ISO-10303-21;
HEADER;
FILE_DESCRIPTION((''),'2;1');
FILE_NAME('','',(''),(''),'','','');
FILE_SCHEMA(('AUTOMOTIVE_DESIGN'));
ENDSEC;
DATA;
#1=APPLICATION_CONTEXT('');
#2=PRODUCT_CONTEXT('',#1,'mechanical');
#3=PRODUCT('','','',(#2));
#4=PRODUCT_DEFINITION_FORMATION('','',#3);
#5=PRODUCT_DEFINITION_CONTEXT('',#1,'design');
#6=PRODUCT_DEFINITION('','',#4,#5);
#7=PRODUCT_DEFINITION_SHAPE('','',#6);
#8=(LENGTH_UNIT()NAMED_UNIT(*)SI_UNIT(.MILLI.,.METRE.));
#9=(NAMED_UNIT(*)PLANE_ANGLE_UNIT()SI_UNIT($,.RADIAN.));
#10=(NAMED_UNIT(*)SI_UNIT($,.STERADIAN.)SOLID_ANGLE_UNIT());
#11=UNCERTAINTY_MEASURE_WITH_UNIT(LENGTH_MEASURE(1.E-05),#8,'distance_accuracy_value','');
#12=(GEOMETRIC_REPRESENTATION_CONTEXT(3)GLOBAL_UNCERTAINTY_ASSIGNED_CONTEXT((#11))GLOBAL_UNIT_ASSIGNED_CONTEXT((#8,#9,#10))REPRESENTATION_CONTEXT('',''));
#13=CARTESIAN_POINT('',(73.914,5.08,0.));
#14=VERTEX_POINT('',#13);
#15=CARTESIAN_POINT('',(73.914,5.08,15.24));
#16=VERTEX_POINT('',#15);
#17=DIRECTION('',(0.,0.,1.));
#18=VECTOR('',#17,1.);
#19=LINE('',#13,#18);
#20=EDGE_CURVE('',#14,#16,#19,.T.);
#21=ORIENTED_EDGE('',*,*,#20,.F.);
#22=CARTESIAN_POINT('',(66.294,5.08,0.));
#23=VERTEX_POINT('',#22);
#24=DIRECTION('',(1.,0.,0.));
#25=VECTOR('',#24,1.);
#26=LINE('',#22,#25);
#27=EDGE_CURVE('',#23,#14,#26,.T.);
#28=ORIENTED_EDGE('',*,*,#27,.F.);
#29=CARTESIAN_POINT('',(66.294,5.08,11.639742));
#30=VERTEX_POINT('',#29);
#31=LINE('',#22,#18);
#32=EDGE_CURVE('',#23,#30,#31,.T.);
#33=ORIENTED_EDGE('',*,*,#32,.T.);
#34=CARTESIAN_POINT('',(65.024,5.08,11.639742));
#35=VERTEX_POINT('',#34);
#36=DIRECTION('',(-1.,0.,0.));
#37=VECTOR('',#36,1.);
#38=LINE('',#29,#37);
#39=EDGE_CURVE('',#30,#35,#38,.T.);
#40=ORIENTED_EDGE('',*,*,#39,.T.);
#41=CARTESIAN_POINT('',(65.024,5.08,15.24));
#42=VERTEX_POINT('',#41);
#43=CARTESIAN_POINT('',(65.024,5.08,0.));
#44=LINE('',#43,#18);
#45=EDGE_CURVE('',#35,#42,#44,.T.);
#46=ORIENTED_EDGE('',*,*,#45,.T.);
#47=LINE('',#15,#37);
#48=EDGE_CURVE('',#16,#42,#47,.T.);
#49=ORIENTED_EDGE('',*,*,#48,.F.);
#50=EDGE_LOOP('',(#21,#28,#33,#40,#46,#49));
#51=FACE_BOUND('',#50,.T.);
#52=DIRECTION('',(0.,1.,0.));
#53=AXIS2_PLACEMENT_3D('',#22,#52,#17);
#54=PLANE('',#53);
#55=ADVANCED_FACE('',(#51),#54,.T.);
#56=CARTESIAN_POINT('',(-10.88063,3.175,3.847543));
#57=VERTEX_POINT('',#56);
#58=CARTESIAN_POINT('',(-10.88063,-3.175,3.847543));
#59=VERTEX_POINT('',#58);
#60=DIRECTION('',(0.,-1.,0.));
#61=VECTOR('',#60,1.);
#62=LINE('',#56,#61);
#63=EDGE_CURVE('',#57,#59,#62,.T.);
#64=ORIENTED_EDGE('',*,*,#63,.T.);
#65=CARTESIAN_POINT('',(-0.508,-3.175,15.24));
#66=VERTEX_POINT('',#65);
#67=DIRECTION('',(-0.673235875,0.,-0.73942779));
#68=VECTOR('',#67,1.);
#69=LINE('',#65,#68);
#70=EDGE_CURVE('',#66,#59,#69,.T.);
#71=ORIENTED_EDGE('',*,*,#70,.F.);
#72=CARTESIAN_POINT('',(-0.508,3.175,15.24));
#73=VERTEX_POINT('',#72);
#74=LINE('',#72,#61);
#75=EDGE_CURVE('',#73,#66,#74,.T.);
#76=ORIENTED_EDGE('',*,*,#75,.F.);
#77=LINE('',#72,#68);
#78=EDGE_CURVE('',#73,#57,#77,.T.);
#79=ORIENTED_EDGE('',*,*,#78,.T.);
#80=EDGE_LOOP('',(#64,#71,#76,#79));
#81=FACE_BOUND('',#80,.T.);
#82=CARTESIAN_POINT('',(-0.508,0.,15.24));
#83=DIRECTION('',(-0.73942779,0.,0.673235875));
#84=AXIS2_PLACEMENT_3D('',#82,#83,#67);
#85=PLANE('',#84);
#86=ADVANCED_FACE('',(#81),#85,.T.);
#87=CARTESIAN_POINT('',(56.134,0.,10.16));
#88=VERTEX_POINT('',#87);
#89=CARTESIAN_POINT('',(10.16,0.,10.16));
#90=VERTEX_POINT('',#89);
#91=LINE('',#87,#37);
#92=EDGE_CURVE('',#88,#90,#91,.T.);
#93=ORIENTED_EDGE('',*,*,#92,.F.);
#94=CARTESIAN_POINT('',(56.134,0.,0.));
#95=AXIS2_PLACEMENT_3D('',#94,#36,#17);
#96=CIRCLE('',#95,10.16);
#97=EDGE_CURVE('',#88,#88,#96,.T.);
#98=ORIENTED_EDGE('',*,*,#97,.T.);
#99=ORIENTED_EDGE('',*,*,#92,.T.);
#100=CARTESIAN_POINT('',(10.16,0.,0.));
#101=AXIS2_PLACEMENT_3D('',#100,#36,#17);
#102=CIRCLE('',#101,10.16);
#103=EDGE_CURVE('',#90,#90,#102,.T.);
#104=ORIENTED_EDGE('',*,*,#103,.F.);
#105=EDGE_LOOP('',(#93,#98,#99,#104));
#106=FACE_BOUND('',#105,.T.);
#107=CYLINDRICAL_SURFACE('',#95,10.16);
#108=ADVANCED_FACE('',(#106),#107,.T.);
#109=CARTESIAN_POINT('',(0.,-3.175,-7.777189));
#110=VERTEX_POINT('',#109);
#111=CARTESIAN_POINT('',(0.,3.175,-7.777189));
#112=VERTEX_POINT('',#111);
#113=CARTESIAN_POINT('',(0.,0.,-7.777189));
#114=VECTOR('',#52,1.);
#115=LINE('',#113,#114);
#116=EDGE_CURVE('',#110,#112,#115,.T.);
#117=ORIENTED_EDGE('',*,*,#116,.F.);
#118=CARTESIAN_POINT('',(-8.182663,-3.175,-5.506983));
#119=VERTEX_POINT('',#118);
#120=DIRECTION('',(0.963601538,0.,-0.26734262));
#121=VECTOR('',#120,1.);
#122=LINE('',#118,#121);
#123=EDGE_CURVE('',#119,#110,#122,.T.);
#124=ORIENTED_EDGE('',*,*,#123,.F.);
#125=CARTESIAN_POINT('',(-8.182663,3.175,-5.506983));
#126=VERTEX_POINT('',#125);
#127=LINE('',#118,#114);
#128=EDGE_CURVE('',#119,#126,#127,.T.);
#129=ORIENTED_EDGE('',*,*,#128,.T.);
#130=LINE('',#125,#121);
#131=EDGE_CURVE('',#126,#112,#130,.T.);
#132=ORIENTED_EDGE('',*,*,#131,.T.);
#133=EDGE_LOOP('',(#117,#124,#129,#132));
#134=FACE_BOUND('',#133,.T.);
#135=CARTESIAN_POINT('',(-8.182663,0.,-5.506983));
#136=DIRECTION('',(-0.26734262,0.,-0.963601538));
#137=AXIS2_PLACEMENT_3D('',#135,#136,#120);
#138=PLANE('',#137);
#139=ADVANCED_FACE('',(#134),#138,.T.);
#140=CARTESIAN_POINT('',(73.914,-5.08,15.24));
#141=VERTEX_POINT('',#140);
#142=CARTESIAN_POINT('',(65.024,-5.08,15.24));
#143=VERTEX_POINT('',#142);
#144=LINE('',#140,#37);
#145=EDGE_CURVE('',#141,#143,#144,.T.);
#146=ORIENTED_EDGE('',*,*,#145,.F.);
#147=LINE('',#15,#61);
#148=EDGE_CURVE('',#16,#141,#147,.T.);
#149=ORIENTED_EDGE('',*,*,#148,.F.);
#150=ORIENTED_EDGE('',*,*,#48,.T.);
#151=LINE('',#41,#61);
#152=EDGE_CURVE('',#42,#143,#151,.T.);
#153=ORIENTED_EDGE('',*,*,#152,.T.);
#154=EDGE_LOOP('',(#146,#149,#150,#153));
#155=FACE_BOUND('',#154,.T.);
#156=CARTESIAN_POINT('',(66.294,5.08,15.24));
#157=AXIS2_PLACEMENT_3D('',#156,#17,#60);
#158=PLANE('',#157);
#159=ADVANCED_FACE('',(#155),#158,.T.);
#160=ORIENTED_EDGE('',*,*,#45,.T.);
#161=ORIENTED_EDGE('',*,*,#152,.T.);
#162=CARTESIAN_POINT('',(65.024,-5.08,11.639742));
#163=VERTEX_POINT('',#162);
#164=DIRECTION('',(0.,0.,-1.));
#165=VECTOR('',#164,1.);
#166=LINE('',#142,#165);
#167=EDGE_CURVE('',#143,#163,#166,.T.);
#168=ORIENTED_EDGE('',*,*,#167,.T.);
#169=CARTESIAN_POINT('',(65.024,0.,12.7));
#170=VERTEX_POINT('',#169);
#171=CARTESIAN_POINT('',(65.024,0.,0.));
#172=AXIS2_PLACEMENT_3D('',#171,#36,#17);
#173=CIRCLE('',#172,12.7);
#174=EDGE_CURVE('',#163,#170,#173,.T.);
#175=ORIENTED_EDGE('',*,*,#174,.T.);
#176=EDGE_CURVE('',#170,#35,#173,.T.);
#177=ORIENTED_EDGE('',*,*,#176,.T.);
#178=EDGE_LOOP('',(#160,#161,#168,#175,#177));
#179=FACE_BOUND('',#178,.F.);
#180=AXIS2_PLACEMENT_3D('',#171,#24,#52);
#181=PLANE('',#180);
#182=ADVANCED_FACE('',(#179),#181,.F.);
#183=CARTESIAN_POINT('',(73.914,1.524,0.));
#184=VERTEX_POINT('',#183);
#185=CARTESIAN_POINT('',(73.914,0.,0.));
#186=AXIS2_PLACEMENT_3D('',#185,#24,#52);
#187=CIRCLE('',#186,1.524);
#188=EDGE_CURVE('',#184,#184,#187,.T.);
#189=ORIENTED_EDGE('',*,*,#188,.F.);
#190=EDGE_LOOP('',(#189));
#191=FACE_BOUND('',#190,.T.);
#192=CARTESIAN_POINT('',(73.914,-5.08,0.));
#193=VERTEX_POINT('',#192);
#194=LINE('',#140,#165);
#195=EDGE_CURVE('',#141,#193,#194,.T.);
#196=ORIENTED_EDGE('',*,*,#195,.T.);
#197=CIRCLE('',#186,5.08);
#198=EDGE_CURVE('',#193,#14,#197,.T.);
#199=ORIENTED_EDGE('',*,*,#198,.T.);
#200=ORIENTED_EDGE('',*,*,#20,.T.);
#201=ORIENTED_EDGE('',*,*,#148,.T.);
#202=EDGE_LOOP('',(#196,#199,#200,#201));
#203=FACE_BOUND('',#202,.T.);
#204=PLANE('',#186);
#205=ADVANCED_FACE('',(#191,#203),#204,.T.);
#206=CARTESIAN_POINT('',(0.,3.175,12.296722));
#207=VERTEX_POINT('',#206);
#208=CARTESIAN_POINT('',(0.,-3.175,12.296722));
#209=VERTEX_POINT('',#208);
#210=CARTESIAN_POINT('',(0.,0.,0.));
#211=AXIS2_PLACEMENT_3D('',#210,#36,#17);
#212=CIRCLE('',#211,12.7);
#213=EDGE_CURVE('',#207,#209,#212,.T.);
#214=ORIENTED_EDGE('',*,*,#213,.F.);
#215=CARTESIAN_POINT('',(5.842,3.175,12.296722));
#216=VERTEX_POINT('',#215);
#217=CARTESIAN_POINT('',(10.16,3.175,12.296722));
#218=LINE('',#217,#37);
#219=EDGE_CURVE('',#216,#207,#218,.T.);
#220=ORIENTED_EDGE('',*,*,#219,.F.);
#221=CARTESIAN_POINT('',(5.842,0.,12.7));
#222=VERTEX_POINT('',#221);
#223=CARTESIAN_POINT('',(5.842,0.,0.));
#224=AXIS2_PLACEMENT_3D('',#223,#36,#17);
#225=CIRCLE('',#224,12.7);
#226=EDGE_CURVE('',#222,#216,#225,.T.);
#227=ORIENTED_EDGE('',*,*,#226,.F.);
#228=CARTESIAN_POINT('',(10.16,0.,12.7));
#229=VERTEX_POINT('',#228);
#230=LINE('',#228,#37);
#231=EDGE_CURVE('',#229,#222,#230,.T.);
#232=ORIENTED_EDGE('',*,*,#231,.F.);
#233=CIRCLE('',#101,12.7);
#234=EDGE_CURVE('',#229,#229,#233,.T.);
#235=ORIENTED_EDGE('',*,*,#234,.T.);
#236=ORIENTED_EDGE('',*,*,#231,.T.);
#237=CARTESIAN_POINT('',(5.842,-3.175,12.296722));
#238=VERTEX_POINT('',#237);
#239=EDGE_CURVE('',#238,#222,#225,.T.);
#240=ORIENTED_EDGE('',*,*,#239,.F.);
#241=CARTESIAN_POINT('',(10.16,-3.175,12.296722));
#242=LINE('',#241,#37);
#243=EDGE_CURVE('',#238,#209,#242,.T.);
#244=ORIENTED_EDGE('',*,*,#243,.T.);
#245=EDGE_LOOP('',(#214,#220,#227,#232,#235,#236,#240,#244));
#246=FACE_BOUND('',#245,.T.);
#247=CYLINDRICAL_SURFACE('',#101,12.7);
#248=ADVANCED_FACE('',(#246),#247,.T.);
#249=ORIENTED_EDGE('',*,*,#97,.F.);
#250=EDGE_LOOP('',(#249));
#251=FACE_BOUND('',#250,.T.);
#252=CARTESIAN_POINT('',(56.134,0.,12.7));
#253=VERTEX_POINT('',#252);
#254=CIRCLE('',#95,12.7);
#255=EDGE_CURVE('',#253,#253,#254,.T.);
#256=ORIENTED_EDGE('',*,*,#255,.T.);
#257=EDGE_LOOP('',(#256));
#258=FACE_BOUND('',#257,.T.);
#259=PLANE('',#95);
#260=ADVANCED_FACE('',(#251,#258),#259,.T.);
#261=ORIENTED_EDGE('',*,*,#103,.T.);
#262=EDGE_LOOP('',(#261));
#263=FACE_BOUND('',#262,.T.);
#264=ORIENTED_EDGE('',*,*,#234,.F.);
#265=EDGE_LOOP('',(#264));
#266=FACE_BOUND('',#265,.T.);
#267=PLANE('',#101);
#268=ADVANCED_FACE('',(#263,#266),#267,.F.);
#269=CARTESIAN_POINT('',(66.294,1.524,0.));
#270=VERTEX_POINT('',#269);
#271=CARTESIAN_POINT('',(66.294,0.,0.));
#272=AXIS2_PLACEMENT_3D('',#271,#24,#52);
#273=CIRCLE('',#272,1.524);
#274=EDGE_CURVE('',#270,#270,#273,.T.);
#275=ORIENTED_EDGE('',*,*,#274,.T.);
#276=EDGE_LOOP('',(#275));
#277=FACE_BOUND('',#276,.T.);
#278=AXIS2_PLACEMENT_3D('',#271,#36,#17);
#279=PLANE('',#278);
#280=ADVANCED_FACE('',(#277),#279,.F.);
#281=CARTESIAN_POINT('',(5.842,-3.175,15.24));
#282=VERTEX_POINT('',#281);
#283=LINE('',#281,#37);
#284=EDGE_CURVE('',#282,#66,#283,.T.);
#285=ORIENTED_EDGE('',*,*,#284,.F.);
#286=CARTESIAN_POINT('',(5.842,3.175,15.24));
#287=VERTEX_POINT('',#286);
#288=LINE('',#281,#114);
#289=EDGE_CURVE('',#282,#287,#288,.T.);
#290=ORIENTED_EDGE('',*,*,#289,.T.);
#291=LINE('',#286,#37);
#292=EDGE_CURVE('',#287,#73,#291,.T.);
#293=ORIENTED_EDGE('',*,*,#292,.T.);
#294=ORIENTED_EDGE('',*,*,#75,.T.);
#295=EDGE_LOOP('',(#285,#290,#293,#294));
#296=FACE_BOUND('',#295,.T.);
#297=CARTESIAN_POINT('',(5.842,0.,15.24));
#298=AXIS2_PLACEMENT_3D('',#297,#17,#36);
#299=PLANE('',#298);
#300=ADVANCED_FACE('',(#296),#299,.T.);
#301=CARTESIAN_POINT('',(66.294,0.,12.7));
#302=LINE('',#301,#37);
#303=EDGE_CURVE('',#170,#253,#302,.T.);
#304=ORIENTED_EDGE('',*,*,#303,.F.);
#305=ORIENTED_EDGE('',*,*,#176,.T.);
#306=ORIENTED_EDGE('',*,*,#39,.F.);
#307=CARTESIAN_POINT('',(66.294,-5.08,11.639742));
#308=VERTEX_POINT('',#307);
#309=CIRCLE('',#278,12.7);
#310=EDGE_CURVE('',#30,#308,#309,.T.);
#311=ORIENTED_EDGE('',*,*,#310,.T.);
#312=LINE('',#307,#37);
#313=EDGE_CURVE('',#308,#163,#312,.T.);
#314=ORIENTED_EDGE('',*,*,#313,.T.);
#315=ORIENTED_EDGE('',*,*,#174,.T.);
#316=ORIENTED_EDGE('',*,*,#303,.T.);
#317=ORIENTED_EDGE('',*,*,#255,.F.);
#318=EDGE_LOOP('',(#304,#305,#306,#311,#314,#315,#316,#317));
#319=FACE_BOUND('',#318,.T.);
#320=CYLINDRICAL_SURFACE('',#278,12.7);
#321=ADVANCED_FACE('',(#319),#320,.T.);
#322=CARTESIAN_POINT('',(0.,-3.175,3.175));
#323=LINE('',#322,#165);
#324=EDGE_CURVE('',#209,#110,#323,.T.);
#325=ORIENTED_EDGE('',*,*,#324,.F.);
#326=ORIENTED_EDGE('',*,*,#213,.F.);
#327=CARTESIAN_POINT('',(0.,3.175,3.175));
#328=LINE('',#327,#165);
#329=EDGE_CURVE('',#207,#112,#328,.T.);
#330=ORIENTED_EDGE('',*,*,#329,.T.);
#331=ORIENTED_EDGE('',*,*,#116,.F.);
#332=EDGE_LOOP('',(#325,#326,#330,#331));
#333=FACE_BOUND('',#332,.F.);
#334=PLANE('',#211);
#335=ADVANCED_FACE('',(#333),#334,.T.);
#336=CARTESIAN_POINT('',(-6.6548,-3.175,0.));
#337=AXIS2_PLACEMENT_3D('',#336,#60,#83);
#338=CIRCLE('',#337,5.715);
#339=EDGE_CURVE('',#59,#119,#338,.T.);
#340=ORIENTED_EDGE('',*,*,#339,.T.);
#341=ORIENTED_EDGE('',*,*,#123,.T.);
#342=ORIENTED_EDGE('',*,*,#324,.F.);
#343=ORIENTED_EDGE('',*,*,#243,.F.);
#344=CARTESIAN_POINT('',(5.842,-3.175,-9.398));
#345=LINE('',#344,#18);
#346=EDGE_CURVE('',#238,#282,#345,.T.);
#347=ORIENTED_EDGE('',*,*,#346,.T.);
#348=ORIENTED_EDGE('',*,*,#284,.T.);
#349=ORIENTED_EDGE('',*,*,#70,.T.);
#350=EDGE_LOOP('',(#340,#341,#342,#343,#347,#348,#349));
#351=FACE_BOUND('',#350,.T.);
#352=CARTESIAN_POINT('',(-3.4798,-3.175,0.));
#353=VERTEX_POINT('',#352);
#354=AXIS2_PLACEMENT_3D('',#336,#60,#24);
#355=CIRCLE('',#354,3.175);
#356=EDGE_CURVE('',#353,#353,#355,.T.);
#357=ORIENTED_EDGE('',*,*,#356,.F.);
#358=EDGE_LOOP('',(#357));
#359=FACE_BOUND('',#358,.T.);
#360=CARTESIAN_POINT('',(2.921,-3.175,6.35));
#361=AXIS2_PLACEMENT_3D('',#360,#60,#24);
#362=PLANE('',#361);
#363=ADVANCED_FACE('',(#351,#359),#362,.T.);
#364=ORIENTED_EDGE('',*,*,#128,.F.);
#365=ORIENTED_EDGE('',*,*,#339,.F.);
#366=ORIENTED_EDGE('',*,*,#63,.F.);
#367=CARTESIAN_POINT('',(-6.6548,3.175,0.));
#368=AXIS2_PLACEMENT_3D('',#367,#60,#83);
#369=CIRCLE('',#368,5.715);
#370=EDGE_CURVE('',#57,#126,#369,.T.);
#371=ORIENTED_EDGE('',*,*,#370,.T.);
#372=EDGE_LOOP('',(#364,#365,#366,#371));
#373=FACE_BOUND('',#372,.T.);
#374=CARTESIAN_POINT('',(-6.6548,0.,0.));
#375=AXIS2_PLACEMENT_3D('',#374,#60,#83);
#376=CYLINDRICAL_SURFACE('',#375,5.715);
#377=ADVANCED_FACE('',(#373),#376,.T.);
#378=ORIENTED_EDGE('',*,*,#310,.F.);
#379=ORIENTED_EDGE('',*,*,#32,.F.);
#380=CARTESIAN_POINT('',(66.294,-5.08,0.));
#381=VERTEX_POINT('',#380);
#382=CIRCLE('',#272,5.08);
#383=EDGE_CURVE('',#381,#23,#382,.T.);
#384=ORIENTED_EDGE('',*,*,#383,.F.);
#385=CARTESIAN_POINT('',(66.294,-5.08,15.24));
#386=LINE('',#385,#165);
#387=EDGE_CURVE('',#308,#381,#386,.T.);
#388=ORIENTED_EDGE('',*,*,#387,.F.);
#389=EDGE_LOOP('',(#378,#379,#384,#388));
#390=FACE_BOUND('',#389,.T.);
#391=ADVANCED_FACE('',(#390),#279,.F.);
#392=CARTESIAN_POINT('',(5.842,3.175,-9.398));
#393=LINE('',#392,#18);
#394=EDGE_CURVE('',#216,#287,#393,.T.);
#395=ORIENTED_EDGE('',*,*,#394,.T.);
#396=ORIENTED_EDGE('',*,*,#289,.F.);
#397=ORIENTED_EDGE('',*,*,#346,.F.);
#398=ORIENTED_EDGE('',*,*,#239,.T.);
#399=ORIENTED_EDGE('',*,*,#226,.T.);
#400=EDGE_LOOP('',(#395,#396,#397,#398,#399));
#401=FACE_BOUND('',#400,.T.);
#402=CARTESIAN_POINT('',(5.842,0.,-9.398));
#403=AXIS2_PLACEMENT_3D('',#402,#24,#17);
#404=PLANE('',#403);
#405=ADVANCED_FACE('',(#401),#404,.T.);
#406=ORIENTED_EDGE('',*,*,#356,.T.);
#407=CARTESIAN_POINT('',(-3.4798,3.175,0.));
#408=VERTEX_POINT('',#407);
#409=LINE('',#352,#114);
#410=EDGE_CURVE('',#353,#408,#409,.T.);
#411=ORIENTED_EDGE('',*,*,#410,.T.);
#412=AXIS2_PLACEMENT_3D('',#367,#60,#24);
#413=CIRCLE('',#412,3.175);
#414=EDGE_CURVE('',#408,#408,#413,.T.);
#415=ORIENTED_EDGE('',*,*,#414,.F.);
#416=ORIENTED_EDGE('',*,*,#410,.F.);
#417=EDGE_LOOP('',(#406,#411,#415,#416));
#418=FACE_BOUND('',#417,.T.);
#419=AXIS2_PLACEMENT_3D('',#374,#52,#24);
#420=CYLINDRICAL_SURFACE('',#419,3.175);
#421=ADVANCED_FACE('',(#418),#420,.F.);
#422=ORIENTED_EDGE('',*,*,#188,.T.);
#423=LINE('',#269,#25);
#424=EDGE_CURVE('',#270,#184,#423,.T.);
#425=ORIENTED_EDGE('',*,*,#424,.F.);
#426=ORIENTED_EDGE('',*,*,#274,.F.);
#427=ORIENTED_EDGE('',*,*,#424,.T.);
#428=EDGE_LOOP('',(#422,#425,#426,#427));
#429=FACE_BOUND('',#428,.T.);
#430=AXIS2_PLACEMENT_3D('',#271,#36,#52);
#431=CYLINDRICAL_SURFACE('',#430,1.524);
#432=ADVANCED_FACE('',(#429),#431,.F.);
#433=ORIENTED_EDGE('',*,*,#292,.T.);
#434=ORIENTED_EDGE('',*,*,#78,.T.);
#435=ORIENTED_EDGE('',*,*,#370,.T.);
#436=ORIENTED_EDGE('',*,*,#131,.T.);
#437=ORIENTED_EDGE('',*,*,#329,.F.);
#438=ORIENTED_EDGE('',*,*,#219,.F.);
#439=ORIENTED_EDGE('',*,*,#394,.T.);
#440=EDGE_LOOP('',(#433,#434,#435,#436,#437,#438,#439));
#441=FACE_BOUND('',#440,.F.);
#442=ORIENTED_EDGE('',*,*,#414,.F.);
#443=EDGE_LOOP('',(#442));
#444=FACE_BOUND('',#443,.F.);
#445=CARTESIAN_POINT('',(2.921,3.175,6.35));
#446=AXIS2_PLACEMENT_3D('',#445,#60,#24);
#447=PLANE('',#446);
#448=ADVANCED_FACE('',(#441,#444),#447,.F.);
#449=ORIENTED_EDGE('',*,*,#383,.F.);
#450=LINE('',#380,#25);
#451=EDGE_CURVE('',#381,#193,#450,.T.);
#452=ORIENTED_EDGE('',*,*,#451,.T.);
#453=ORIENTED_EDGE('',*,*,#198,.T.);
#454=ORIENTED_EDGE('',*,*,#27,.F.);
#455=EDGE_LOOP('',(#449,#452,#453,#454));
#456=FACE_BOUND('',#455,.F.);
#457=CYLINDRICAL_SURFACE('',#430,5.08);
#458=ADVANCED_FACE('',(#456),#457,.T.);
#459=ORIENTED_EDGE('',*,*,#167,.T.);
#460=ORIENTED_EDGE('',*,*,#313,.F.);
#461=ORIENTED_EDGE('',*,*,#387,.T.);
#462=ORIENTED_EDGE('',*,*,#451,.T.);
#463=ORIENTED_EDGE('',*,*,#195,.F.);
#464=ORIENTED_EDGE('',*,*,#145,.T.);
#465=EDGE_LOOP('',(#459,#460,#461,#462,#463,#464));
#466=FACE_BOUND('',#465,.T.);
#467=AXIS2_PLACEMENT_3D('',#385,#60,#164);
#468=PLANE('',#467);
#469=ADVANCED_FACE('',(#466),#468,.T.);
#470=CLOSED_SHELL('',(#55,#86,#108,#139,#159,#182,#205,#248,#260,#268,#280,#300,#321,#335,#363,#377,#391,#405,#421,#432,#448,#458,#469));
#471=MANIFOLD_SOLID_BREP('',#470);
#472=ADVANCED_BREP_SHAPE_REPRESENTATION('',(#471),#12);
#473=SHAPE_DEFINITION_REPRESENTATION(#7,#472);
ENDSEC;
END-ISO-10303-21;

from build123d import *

# Parameters (mm, degrees)
F0_W          = 5.842
F0_H          = 12.7
F0_R          = 3.175
F2_DEPTH      = 3.175
F3_R          = 1.524
F4_DEPTH      = 7.62
F4_DEPTH_BACK = 1.27
F5_DEPTH      = 56.134


with BuildPart() as f1:
    # F0 (on Front) → F1 (revolve)
    with BuildSketch(Plane.XZ):
        Polygon((5.842, 12.7), (5.842, 0), (66.294, 0), (66.294, 12.7), (56.134, 12.7), (56.134, 10.16), (10.16, 10.16), (10.16, 12.7), align=None)
        with Locations((2.921, 6.35)):
            Rectangle(F0_W, F0_H)
    revolve(axis=Axis((33.147, 0, 0), (-1, 0, 0)))

    # F0 (on Front) → F2 (join, symmetric)
    with BuildSketch(Plane.XZ):
        with Locations((2.921, 6.35)):
            Rectangle(F0_W, F0_H)
        with BuildLine():
            Line((-0.9398, 0), (0, 0))
            Line((0, 0), (0, 12.7))
            Line((0, 12.7), (5.842, 12.7))
            Line((5.842, 12.7), (5.842, 15.24))
            Line((5.842, 15.24), (-0.508, 15.24))
            Line((-0.508, 15.24), (-10.8806298187, 3.8475430269))
            ThreePointArc((-10.8806298187, 3.8475430269), (-4.5919612295, 5.3297205562), (-0.9398, 0))
        make_face()
        with BuildLine():
            Line((5.842, 0), (0, 0))
            Line((0, 0), (-0.9398, 0))
            ThreePointArc((-0.9398, 0), (-3.1957909266, -4.5493385486), (-8.1826630726, -5.5069827884))
            Line((-8.1826630726, -5.5069827884), (5.842, -9.398))
            Line((5.842, -9.398), (5.842, 0))
        make_face()
        with BuildLine():
            ThreePointArc((-8.1826630726, -5.5069827884), (-3.1957909266, -4.5493385486), (-0.9398, 0))
            ThreePointArc((-0.9398, 0), (-4.5919612295, 5.3297205562), (-10.8806298187, 3.8475430269))
            ThreePointArc((-10.8806298187, 3.8475430269), (-12.1459778134, -1.5837270034), (-8.1826630726, -5.5069827884))
        make_face()
        with Locations((-6.6548, 0)):
            Circle(F0_R, mode=Mode.SUBTRACT)
    extrude(amount=F2_DEPTH, both=True)

    # F3 (on face) → F4 (join, two sides)
    with BuildSketch(Plane.YZ.offset(66.294)) as f4_sk:
        with BuildLine():
            ThreePointArc((-5.08, 0), (0, -5.08), (5.08, 0))
            ThreePointArc((5.08, 0), (0, 5.08), (-5.08, 0))
        make_face()
        Circle(F3_R, mode=Mode.SUBTRACT)
        with BuildLine():
            ThreePointArc((-5.08, 0), (0, 5.08), (5.08, 0))
            Line((5.08, 0), (5.08, 15.24))
            Line((5.08, 15.24), (-5.08, 15.24))
            Line((-5.08, 15.24), (-5.08, 0))
        make_face()
    extrude(amount=F4_DEPTH)
    extrude(f4_sk.sketch, amount=-F4_DEPTH_BACK)

    # F5 (add, through all): a face of the model
    f5_faces = [f1.faces().sort_by_distance(p)[0] for p in [
        (66.294, 0, 0),
    ]]
    extrude(f5_faces, amount=-F5_DEPTH)


solid = f1.part
